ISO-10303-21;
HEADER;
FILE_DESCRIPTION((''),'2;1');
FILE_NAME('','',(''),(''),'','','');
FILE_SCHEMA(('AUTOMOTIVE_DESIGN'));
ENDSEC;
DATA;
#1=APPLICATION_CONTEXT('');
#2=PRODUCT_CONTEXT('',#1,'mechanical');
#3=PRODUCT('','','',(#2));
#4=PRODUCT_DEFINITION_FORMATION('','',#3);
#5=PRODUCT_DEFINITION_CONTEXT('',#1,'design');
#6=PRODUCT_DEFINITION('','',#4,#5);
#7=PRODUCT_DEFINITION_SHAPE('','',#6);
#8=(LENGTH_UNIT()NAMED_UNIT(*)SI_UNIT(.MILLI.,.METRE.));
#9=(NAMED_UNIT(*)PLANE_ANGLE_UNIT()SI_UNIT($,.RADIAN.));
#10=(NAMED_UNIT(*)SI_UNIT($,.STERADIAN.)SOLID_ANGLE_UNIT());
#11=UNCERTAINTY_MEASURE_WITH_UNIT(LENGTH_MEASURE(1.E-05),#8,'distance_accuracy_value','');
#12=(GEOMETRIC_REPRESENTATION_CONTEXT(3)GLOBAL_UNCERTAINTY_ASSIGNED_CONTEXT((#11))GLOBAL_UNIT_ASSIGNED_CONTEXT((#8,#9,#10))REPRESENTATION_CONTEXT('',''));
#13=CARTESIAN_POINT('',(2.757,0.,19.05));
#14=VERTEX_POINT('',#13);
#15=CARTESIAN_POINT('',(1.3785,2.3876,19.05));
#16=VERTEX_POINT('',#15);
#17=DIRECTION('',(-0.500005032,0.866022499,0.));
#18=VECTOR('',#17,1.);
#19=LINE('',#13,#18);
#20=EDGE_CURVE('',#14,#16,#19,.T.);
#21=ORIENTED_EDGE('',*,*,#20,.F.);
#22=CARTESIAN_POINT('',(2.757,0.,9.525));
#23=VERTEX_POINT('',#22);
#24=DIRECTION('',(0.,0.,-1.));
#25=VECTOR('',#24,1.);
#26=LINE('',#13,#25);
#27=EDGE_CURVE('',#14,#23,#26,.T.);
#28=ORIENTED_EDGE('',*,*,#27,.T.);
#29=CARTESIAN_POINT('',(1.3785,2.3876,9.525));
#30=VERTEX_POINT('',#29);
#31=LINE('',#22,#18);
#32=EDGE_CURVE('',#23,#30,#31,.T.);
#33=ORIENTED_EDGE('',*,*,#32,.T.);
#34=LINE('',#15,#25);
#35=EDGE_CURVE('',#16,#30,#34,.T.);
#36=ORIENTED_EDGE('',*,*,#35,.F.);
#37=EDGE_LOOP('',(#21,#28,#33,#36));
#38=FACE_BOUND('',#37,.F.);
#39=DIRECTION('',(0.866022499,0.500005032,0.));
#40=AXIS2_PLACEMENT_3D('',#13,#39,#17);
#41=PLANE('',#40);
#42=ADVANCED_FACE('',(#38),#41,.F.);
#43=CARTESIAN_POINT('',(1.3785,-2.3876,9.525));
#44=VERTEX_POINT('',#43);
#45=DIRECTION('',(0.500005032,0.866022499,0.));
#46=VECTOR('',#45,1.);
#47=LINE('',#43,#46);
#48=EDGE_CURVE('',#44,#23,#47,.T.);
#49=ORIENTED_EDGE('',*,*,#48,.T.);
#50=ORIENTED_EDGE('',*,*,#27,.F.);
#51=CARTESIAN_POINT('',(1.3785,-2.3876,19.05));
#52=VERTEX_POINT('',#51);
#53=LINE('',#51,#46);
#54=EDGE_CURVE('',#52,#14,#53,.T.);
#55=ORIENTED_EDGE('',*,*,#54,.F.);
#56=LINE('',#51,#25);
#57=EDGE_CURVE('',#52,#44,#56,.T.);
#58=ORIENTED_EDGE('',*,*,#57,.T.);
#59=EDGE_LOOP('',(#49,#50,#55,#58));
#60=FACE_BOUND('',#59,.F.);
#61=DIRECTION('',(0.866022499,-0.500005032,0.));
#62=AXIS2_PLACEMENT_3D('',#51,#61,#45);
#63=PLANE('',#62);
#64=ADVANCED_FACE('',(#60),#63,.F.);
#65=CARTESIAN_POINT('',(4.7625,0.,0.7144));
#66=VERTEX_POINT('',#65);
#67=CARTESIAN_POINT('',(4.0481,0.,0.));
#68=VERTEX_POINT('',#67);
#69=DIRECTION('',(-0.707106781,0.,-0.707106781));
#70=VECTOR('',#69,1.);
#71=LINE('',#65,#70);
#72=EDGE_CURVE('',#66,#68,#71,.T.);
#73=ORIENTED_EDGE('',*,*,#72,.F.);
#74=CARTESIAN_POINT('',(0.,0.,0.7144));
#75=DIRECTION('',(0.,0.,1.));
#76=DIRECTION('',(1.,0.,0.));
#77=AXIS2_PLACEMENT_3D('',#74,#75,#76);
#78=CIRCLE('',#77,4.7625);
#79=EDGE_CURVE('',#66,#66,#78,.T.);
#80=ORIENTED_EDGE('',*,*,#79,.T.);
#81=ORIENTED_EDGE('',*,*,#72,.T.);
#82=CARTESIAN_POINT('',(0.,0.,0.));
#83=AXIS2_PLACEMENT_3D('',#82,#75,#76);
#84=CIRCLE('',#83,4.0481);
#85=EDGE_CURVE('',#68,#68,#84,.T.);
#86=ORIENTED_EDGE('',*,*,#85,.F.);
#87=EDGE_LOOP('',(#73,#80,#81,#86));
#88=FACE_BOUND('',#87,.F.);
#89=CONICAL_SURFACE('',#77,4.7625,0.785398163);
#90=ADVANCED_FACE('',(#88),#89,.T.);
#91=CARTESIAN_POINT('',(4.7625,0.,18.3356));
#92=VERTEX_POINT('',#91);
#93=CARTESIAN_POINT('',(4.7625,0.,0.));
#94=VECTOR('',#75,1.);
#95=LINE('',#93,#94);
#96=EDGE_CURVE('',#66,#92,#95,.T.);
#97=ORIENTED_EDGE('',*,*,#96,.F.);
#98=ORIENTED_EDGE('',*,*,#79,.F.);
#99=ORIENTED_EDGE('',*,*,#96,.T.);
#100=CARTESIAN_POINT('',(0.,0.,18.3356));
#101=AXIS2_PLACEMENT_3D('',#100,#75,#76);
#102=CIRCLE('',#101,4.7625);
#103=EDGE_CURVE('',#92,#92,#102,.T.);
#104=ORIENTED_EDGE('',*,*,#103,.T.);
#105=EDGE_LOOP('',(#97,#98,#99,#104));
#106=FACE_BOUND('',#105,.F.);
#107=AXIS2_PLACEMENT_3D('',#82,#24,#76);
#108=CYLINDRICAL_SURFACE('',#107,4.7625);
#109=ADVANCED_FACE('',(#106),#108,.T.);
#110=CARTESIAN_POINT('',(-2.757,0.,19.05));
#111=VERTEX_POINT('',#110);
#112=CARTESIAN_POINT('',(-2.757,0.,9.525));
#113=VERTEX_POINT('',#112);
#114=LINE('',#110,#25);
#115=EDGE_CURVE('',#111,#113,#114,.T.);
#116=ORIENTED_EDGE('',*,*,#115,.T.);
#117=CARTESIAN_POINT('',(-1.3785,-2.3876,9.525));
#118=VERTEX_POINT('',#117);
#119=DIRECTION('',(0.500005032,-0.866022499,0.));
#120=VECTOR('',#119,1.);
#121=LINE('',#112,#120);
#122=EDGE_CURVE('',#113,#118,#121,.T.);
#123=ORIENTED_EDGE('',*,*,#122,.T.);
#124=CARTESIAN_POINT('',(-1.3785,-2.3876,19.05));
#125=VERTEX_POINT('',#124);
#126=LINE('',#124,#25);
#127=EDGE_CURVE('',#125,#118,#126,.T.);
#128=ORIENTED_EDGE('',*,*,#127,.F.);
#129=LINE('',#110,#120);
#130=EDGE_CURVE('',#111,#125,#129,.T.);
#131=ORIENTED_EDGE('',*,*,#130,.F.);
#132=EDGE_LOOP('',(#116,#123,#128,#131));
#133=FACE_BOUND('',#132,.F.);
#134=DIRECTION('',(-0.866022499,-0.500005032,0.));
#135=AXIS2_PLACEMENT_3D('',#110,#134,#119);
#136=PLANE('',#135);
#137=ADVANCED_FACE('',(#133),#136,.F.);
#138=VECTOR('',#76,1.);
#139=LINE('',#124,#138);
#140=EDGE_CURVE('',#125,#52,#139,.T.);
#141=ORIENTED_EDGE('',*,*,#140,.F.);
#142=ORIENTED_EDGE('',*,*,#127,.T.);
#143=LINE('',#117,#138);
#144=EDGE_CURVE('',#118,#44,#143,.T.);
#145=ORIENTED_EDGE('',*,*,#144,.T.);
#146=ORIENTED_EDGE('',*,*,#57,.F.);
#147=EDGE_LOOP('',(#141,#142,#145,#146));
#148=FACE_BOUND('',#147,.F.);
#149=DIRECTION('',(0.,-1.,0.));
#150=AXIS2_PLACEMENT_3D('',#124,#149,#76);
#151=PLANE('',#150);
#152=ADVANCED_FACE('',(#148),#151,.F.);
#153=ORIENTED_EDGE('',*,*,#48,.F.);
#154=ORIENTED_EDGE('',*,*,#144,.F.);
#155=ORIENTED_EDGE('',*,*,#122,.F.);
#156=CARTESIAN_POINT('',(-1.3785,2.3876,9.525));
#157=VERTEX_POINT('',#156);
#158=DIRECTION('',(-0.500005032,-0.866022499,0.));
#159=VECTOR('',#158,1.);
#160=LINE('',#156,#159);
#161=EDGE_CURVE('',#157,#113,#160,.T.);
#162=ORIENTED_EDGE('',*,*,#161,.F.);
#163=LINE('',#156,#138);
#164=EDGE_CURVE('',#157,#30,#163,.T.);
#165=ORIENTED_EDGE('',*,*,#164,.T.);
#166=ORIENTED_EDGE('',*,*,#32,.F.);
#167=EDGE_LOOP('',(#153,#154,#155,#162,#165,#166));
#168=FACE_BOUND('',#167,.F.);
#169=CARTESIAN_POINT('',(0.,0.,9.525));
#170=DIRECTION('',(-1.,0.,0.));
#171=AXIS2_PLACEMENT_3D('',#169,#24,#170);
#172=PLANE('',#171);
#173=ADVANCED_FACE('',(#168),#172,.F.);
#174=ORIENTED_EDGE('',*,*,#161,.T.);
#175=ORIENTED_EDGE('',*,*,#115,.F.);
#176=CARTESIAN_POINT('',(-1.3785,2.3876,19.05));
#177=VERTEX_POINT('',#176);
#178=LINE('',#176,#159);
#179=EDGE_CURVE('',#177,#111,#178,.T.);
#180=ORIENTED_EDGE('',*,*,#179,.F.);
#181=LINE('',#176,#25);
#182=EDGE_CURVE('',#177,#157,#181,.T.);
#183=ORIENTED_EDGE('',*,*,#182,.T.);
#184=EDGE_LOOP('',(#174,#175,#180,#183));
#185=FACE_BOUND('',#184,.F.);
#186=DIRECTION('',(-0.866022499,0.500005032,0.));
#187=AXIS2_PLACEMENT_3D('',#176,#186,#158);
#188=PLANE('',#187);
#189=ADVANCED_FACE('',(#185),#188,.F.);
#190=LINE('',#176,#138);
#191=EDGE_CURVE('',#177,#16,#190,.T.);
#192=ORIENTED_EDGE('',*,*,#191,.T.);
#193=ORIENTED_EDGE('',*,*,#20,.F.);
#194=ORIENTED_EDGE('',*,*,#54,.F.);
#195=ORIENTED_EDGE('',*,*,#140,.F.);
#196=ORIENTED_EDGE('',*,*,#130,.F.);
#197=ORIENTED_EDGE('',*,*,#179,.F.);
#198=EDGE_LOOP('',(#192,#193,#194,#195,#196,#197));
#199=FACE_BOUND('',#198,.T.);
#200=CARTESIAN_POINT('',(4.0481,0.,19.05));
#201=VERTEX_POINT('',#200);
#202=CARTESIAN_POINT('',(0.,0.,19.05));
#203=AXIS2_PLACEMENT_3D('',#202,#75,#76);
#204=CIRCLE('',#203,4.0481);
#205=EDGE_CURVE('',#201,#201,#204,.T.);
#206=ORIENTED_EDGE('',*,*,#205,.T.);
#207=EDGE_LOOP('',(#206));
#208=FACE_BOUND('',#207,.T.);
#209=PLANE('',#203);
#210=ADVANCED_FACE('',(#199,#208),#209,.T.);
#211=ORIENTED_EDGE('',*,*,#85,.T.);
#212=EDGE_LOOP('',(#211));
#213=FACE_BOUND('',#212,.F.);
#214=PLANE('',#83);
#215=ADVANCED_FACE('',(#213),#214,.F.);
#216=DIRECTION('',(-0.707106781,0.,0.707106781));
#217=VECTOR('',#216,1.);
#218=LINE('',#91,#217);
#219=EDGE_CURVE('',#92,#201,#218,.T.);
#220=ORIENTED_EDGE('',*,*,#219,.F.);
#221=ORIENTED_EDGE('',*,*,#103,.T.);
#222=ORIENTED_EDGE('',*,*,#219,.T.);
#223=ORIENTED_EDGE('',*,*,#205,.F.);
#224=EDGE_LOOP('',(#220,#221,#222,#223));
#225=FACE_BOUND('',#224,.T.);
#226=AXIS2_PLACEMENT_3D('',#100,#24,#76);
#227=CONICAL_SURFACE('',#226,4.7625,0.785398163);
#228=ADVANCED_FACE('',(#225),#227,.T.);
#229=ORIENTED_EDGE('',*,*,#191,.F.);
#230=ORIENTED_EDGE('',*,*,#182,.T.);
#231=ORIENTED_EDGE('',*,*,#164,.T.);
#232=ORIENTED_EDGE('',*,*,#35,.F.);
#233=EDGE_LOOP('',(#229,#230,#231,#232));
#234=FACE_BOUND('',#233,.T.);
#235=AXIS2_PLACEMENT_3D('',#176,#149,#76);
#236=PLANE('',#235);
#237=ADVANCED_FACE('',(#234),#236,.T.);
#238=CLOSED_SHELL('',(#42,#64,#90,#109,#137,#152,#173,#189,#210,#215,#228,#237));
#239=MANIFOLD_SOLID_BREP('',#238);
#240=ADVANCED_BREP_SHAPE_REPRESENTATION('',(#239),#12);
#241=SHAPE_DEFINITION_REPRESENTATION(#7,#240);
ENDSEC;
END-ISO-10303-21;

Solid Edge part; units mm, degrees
sketch "Sketch1" plane through (0, 0, 0) normal (0, 0, 1) x (1, 0, 0)
  circle A0 centre (0, 0) radius 4.7625
  dimension "D1" = 9.525
extrude "Protrusion1" add sketch "Sketch1" along normal blind 19.05
chamfer "Chamfer1" distance 0.7144 angle 45 2 edges at (-4.7625, 0, 0) (-4.7625, 0, 19.05)
sketch "Sketch2" plane through (0, 0, 19.05) normal (0, 0, 1) x (1, 0, 0)
  line L0 (-1.3785, 2.3876) -> (1.3785, 2.3876)
  line L1 (2.757, 0) -> (1.3785, 2.3876)
  line L2 (1.3785, -2.3876) -> (2.757, 0)
  line L3 (-1.3785, -2.3876) -> (1.3785, -2.3876)
  line L4 (-2.757, 0) -> (-1.3785, -2.3876)
  line L5 (-1.3785, 2.3876) -> (-2.757, 0)
  dimension "D1" = 4.7752
extrude "Cutout1" cut sketch "Sketch2" against normal blind 9.525
properties part number "24100360"
